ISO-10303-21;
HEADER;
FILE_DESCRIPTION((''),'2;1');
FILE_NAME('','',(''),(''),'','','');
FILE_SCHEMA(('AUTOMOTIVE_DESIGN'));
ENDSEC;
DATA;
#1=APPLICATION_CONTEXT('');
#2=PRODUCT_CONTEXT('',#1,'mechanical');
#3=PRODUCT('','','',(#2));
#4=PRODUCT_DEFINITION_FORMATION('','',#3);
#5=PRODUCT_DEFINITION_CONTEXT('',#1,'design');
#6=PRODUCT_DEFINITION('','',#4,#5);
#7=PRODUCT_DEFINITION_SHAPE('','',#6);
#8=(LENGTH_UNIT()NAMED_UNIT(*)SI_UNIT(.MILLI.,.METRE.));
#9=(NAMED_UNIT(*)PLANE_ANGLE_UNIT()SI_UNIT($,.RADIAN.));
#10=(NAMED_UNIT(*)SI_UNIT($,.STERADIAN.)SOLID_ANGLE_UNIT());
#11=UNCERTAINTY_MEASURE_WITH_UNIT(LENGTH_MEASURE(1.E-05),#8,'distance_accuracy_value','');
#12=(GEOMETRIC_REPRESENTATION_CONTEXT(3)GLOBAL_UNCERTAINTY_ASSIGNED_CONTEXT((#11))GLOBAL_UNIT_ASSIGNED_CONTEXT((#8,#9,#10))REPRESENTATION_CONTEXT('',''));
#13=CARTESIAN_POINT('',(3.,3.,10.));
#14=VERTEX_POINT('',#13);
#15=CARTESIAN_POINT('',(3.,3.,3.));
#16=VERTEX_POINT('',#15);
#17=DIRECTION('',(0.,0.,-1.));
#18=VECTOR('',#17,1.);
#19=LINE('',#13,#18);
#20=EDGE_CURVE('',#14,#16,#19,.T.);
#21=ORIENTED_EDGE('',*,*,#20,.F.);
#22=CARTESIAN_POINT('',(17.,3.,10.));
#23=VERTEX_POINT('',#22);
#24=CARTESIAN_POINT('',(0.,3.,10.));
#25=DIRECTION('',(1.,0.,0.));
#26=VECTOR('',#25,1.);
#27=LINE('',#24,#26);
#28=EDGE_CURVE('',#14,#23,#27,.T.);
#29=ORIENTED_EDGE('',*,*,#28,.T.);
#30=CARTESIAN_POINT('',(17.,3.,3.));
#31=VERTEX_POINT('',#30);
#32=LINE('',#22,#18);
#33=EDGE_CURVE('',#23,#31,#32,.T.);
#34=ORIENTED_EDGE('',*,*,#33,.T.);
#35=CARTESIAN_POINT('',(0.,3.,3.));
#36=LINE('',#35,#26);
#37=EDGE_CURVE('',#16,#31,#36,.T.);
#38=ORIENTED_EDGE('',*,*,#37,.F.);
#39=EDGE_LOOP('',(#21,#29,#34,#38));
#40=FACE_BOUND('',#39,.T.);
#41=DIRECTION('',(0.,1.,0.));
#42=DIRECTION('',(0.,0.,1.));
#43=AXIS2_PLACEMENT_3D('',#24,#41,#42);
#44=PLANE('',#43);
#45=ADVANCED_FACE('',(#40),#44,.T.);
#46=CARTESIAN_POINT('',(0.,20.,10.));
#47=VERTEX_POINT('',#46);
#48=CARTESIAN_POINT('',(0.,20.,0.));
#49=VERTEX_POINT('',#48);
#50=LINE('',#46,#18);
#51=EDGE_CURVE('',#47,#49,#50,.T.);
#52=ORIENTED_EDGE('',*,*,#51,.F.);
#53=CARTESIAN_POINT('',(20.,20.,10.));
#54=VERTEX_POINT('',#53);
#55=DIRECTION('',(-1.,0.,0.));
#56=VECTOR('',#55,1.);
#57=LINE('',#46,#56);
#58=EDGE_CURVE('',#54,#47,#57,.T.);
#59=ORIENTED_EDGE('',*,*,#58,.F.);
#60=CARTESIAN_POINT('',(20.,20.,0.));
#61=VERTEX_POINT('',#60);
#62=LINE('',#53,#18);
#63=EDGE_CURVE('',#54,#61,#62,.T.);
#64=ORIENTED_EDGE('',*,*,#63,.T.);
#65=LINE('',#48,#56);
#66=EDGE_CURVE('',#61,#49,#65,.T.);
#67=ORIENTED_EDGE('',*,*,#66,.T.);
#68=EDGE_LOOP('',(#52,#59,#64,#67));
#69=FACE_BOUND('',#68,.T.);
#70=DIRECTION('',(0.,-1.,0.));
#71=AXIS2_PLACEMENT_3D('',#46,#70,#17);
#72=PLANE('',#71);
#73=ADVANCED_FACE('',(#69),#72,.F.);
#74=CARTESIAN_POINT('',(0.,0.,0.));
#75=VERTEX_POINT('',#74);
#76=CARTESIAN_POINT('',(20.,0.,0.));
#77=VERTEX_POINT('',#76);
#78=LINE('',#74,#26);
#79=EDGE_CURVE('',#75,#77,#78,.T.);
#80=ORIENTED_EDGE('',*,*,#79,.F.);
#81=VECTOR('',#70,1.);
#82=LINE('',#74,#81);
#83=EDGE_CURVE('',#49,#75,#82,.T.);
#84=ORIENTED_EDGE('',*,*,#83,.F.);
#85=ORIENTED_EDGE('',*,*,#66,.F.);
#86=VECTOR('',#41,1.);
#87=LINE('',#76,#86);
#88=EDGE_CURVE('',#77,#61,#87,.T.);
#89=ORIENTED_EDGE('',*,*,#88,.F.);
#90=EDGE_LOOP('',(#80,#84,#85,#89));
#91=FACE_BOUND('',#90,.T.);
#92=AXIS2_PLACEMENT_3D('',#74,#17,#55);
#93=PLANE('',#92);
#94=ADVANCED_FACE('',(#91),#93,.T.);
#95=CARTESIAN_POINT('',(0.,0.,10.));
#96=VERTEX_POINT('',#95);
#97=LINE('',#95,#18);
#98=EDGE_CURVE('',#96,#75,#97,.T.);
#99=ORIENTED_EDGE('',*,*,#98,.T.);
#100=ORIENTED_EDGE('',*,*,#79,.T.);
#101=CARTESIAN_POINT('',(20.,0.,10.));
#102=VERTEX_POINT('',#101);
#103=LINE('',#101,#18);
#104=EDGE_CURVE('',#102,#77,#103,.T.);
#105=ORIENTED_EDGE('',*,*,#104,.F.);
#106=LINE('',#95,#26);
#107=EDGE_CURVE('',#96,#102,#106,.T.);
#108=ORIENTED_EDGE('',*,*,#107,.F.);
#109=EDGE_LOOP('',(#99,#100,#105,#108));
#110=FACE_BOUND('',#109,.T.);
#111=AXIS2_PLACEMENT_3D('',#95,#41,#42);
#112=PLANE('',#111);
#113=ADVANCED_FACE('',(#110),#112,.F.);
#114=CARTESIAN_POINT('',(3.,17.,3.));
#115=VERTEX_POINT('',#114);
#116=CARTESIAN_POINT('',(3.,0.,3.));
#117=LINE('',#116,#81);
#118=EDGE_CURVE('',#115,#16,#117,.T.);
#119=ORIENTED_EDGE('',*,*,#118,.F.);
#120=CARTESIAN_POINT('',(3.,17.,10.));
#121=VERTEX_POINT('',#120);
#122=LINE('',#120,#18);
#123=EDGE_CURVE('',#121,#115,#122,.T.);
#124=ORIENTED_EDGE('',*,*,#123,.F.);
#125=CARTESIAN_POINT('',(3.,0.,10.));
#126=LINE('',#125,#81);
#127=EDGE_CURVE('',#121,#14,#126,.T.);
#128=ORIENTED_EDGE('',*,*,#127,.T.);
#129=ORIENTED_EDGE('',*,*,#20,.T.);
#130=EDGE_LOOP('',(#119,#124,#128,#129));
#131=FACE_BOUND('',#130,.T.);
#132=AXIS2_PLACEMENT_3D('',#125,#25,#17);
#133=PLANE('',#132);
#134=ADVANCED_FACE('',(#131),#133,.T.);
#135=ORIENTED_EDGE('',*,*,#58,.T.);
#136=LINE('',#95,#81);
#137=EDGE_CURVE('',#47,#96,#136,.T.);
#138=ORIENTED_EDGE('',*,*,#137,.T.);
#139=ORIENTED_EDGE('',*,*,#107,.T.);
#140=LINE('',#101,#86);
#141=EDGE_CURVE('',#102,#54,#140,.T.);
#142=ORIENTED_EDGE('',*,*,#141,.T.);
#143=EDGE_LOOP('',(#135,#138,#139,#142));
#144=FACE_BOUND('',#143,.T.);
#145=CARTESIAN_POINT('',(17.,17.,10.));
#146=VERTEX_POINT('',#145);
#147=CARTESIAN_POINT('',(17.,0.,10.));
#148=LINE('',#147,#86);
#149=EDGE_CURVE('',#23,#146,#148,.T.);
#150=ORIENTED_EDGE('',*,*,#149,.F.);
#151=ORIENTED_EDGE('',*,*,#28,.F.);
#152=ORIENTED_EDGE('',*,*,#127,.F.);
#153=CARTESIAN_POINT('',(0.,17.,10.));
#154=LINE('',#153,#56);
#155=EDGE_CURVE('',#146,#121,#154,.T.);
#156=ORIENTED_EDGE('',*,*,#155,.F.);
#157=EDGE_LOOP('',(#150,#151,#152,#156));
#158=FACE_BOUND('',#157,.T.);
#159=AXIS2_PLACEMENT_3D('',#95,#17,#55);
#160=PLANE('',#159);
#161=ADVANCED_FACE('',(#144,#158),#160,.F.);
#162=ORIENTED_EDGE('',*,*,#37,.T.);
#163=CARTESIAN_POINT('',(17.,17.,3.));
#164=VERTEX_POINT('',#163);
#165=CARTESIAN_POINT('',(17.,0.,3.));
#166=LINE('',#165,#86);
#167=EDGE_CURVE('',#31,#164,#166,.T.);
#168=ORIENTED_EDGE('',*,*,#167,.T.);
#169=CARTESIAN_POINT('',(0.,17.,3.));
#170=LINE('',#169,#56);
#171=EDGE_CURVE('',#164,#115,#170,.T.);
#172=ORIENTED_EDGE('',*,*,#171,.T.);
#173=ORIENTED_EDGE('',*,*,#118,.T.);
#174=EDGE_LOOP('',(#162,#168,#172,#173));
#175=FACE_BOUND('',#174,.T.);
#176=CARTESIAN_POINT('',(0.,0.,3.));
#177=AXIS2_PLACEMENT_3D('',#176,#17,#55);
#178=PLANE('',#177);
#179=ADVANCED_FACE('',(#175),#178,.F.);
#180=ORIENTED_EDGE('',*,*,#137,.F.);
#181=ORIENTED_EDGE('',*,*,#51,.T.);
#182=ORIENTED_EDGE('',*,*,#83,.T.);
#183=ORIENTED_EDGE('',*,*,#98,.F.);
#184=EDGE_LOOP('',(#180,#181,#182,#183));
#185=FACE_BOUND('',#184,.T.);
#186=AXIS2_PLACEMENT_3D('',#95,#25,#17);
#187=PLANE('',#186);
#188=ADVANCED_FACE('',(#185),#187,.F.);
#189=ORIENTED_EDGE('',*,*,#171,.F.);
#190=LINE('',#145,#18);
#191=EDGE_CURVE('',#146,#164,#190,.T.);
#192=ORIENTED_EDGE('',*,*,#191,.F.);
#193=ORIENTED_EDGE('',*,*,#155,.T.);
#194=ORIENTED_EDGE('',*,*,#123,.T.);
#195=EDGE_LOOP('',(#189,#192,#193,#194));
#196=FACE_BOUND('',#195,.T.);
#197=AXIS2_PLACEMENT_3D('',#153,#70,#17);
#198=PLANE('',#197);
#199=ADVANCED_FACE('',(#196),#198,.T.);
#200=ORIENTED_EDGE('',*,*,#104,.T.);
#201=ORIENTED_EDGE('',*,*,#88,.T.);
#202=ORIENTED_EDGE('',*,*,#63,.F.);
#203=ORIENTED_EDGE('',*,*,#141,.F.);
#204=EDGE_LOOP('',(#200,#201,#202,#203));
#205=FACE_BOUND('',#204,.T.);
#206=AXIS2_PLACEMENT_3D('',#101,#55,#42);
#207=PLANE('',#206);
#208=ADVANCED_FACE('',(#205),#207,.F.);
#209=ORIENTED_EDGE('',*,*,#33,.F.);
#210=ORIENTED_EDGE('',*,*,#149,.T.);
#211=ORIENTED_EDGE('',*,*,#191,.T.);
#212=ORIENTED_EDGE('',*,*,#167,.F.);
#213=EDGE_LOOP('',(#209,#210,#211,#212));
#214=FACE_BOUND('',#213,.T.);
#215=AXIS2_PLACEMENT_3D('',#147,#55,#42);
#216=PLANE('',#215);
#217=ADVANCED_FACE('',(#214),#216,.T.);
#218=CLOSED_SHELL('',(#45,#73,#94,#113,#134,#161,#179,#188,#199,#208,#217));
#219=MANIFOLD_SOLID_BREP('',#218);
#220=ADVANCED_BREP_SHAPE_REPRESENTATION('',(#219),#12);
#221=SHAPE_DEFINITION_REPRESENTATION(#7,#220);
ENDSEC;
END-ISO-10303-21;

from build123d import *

# Parameters (mm, degrees)
SKETCH_1_W    = 20
SKETCH_1_H    = 20
BASEBOX_DEPTH = 10
SHELL_T       = -3


with BuildPart() as part:
    # 草图1 → BaseBox (new body)
    with BuildSketch(Plane.XY):
        with Locations((10, 10)):
            Rectangle(SKETCH_1_W, SKETCH_1_H)
    extrude(amount=BASEBOX_DEPTH)

    # Shell
    shell_openings = [part.faces().sort_by_distance(p)[0] for p in [
        (10, 10, 10),
    ]]
    offset(amount=SHELL_T, openings=shell_openings, kind=Kind.INTERSECTION)


solid = part.part
